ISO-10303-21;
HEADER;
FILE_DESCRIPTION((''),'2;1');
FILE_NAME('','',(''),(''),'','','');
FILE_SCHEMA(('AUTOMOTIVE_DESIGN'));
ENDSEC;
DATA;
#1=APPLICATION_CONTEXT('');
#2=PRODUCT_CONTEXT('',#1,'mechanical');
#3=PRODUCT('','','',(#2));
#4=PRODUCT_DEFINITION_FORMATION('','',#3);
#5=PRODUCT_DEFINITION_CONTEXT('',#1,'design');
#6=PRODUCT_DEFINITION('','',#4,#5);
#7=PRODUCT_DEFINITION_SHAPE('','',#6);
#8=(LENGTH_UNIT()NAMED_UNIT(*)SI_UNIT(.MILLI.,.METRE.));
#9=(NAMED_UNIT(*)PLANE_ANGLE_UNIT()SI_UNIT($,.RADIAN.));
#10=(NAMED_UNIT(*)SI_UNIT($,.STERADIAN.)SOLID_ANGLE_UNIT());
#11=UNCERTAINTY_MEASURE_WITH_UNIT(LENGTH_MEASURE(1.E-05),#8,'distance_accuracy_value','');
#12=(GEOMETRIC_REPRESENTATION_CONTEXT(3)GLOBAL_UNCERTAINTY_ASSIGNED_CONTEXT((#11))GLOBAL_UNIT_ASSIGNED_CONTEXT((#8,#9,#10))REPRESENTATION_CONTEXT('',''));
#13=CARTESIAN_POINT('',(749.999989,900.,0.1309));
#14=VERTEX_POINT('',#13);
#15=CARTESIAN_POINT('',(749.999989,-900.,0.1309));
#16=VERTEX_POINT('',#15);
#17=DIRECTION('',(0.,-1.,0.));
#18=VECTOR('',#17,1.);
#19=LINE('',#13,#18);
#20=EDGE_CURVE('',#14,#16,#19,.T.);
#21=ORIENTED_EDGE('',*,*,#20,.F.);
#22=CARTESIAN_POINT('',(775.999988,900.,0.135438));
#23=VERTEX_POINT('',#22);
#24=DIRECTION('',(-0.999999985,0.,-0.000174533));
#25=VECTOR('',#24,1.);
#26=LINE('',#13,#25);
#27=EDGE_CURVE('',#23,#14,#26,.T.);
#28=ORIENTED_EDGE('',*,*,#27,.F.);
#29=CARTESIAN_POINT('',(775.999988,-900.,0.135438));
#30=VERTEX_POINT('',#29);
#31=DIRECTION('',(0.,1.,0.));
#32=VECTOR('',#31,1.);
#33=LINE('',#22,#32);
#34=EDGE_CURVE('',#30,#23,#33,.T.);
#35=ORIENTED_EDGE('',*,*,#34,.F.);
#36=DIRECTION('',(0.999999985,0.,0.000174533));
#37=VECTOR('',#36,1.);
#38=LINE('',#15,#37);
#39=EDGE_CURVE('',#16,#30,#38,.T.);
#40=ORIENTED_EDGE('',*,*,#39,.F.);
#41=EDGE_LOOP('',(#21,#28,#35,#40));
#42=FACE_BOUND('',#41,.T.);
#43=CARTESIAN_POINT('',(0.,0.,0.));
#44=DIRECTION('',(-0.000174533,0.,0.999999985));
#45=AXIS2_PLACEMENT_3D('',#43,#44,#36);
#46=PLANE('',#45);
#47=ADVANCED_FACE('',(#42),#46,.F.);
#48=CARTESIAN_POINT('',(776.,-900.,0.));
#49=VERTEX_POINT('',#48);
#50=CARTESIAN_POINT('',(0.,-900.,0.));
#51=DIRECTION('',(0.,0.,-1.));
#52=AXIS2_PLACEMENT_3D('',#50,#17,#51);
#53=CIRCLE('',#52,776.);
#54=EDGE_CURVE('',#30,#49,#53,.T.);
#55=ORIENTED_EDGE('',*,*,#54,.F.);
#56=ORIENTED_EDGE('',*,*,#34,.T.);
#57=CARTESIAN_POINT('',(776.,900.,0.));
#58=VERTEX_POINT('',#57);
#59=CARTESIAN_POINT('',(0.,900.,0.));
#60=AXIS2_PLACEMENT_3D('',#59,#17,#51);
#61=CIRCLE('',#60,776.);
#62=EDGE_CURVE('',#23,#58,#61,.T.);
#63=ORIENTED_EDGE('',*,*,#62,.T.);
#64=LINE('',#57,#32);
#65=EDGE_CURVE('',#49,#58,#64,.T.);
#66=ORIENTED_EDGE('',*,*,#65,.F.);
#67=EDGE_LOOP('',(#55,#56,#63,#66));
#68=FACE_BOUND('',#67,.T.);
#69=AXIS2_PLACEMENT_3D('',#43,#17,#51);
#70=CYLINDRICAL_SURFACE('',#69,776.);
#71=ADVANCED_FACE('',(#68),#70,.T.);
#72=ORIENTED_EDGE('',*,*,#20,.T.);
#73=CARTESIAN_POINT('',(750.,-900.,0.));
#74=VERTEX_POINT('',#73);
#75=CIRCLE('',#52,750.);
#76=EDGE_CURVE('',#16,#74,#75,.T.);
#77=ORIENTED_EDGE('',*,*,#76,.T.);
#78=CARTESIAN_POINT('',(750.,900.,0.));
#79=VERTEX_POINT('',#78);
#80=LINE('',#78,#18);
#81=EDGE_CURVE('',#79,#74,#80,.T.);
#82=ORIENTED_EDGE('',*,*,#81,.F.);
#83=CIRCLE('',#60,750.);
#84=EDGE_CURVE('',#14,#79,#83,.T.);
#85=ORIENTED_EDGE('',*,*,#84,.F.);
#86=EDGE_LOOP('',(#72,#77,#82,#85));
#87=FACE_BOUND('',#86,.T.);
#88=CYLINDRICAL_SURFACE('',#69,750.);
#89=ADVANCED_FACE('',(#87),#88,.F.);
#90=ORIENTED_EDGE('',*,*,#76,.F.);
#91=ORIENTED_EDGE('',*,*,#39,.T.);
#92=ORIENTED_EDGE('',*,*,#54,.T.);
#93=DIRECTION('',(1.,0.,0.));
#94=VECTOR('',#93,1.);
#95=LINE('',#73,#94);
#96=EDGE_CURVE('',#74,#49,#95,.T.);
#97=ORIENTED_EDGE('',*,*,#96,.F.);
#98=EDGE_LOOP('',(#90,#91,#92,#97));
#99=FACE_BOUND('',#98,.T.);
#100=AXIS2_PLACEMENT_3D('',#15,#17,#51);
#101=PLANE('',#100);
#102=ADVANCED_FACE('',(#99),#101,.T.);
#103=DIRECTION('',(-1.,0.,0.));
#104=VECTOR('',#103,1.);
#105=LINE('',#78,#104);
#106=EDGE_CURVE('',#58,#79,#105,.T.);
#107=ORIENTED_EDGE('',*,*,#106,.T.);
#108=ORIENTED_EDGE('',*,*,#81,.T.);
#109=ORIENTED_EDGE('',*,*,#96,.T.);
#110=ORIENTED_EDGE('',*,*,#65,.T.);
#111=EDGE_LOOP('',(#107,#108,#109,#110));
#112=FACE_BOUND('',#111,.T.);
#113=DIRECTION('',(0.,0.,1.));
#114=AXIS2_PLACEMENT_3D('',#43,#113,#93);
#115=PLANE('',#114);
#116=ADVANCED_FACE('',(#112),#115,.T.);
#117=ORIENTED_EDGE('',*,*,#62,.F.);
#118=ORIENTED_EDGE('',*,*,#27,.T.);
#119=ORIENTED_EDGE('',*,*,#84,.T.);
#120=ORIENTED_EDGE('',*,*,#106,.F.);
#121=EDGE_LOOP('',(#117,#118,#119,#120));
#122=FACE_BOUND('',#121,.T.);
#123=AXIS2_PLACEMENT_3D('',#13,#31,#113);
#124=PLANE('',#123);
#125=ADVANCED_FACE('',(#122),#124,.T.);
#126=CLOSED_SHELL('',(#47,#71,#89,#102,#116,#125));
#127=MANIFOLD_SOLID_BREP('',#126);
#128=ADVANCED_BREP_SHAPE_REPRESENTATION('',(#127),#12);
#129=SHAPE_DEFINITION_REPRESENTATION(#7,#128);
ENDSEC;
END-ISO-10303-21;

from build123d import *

# Parameters (mm, degrees)
SKETCH1_W      = 26
SKETCH1_H      = 1800
REVOLVE1_ANGLE = 359.99


with BuildPart() as part:
    # Sketch1 → Revolve1 (revolve)
    with BuildSketch(Plane.XY):
        with Locations((763, 0)):
            Rectangle(SKETCH1_W, SKETCH1_H)
    revolve(axis=Axis((0, 0, 0), (0, 1, 0)), revolution_arc=REVOLVE1_ANGLE)


solid = part.part
